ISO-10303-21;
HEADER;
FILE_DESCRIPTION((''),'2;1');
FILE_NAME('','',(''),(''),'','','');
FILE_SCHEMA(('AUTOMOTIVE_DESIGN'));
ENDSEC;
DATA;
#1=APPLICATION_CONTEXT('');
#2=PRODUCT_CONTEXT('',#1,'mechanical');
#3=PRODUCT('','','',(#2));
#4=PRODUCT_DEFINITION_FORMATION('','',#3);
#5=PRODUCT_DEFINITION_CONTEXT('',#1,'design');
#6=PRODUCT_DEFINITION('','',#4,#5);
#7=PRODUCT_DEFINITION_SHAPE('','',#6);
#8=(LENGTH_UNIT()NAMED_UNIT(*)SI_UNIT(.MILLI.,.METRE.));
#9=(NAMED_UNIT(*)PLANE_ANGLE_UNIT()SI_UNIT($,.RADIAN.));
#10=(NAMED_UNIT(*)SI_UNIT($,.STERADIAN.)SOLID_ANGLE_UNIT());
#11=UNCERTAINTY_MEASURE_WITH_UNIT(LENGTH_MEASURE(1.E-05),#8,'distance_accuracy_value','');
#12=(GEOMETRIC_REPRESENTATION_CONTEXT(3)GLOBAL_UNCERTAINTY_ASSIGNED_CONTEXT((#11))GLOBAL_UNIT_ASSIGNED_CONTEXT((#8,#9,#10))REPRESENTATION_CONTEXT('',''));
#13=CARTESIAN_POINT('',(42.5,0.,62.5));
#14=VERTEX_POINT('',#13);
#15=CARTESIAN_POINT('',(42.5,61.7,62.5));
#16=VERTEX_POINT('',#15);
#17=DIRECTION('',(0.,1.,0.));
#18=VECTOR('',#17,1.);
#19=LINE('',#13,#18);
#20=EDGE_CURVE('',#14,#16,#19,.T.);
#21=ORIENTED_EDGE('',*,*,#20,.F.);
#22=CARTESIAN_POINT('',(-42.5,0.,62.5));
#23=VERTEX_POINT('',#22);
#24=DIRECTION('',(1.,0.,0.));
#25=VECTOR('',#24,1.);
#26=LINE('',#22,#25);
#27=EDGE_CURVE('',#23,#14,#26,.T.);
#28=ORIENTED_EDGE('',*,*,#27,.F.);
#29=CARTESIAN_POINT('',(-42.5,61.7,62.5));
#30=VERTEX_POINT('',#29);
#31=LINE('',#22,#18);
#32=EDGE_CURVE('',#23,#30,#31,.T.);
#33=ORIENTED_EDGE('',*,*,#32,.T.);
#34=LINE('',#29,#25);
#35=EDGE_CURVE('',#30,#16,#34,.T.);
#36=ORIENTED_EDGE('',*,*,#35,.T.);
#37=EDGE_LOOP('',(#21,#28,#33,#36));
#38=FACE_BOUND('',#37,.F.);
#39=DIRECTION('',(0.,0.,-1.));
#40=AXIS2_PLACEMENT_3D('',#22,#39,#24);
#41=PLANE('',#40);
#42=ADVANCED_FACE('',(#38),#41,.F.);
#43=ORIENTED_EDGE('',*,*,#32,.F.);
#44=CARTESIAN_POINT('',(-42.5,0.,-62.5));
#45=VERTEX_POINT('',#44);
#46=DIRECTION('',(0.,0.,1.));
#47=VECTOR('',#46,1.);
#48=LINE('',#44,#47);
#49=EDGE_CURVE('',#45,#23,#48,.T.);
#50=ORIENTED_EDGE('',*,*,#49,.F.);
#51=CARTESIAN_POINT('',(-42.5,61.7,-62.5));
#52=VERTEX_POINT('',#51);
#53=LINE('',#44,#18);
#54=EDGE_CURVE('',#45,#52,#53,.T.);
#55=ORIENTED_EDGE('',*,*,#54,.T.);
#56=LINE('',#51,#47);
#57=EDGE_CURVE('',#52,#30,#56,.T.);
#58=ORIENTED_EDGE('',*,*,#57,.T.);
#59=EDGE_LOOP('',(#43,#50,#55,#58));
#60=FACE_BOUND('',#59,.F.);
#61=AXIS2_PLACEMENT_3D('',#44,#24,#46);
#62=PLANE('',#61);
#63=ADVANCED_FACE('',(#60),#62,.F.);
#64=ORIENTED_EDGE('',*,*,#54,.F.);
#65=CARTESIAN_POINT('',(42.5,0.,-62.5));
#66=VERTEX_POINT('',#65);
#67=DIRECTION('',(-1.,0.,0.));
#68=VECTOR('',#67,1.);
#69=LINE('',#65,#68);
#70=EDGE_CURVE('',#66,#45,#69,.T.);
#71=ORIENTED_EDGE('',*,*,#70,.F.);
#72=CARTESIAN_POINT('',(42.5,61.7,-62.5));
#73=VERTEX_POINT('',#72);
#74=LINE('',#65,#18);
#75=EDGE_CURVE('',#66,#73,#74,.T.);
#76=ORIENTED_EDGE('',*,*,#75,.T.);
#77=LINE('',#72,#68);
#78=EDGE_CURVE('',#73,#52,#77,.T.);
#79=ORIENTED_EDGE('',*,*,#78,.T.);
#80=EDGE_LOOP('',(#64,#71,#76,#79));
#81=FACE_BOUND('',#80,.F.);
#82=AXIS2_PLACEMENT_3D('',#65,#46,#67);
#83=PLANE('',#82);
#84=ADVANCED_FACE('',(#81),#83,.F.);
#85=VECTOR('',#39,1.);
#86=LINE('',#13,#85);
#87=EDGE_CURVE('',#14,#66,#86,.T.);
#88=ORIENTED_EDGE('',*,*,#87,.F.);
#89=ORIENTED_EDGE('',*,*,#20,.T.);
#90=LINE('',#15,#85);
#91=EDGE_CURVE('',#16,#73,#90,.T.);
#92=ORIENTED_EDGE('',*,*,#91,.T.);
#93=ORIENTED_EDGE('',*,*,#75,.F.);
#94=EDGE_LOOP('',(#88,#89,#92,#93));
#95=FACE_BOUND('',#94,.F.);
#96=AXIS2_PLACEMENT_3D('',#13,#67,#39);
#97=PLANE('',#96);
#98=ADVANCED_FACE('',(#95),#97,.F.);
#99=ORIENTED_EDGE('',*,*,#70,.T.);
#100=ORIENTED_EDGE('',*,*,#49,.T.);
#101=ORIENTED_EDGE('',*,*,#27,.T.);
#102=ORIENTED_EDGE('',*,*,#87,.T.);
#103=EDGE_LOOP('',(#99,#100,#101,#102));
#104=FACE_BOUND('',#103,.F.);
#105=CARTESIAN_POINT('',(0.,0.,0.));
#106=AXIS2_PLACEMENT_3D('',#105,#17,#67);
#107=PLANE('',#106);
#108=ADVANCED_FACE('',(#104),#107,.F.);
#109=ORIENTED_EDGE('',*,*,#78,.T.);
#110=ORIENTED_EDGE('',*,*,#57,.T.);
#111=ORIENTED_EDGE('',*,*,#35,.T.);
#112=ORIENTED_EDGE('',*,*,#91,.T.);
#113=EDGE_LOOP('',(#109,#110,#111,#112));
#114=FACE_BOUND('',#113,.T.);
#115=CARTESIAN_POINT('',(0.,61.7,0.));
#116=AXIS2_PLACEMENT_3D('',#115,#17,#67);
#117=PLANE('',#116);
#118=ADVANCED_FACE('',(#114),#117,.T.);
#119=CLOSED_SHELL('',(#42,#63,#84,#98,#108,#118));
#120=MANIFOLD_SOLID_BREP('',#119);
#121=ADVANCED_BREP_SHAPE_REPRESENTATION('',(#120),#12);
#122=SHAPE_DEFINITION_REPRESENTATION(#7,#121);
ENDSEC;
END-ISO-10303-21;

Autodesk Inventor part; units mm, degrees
ref_plane "YZ Plane" through (0, 0, 0) normal (1, 0, 0) x (0, 1, 0)
ref_plane "XZ Plane" through (0, 0, 0) normal (0, 1, 0) x (-1, 0, 0)
ref_plane "XY Plane" through (0, 0, 0) normal (0, 0, 1) x (1, 0, 0)
sketch "Эскиз1" plane through (0, 0, 0) normal (0, 1, 0) x (-1, 0, 0)
  line L0 (-42.5, -62.5) -> (42.5, -62.5)
  line L1 (42.5, -62.5) -> (42.5, 62.5)
  line L2 (42.5, 62.5) -> (-42.5, 62.5)
  line L3 (-42.5, 62.5) -> (-42.5, -62.5)
  line L4 (-42.5, -62.5) -> (42.5, 62.5) construction
  line L5 (42.5, -62.5) -> (-42.5, 62.5) construction
  point P0 (0, 0)
  dimension "d0" = 85
  dimension "d1" = 125
extrude "Выдавливание1" add sketch "Эскиз1" along normal blind 61.7
properties part number "Контроллер EZrun max4"
